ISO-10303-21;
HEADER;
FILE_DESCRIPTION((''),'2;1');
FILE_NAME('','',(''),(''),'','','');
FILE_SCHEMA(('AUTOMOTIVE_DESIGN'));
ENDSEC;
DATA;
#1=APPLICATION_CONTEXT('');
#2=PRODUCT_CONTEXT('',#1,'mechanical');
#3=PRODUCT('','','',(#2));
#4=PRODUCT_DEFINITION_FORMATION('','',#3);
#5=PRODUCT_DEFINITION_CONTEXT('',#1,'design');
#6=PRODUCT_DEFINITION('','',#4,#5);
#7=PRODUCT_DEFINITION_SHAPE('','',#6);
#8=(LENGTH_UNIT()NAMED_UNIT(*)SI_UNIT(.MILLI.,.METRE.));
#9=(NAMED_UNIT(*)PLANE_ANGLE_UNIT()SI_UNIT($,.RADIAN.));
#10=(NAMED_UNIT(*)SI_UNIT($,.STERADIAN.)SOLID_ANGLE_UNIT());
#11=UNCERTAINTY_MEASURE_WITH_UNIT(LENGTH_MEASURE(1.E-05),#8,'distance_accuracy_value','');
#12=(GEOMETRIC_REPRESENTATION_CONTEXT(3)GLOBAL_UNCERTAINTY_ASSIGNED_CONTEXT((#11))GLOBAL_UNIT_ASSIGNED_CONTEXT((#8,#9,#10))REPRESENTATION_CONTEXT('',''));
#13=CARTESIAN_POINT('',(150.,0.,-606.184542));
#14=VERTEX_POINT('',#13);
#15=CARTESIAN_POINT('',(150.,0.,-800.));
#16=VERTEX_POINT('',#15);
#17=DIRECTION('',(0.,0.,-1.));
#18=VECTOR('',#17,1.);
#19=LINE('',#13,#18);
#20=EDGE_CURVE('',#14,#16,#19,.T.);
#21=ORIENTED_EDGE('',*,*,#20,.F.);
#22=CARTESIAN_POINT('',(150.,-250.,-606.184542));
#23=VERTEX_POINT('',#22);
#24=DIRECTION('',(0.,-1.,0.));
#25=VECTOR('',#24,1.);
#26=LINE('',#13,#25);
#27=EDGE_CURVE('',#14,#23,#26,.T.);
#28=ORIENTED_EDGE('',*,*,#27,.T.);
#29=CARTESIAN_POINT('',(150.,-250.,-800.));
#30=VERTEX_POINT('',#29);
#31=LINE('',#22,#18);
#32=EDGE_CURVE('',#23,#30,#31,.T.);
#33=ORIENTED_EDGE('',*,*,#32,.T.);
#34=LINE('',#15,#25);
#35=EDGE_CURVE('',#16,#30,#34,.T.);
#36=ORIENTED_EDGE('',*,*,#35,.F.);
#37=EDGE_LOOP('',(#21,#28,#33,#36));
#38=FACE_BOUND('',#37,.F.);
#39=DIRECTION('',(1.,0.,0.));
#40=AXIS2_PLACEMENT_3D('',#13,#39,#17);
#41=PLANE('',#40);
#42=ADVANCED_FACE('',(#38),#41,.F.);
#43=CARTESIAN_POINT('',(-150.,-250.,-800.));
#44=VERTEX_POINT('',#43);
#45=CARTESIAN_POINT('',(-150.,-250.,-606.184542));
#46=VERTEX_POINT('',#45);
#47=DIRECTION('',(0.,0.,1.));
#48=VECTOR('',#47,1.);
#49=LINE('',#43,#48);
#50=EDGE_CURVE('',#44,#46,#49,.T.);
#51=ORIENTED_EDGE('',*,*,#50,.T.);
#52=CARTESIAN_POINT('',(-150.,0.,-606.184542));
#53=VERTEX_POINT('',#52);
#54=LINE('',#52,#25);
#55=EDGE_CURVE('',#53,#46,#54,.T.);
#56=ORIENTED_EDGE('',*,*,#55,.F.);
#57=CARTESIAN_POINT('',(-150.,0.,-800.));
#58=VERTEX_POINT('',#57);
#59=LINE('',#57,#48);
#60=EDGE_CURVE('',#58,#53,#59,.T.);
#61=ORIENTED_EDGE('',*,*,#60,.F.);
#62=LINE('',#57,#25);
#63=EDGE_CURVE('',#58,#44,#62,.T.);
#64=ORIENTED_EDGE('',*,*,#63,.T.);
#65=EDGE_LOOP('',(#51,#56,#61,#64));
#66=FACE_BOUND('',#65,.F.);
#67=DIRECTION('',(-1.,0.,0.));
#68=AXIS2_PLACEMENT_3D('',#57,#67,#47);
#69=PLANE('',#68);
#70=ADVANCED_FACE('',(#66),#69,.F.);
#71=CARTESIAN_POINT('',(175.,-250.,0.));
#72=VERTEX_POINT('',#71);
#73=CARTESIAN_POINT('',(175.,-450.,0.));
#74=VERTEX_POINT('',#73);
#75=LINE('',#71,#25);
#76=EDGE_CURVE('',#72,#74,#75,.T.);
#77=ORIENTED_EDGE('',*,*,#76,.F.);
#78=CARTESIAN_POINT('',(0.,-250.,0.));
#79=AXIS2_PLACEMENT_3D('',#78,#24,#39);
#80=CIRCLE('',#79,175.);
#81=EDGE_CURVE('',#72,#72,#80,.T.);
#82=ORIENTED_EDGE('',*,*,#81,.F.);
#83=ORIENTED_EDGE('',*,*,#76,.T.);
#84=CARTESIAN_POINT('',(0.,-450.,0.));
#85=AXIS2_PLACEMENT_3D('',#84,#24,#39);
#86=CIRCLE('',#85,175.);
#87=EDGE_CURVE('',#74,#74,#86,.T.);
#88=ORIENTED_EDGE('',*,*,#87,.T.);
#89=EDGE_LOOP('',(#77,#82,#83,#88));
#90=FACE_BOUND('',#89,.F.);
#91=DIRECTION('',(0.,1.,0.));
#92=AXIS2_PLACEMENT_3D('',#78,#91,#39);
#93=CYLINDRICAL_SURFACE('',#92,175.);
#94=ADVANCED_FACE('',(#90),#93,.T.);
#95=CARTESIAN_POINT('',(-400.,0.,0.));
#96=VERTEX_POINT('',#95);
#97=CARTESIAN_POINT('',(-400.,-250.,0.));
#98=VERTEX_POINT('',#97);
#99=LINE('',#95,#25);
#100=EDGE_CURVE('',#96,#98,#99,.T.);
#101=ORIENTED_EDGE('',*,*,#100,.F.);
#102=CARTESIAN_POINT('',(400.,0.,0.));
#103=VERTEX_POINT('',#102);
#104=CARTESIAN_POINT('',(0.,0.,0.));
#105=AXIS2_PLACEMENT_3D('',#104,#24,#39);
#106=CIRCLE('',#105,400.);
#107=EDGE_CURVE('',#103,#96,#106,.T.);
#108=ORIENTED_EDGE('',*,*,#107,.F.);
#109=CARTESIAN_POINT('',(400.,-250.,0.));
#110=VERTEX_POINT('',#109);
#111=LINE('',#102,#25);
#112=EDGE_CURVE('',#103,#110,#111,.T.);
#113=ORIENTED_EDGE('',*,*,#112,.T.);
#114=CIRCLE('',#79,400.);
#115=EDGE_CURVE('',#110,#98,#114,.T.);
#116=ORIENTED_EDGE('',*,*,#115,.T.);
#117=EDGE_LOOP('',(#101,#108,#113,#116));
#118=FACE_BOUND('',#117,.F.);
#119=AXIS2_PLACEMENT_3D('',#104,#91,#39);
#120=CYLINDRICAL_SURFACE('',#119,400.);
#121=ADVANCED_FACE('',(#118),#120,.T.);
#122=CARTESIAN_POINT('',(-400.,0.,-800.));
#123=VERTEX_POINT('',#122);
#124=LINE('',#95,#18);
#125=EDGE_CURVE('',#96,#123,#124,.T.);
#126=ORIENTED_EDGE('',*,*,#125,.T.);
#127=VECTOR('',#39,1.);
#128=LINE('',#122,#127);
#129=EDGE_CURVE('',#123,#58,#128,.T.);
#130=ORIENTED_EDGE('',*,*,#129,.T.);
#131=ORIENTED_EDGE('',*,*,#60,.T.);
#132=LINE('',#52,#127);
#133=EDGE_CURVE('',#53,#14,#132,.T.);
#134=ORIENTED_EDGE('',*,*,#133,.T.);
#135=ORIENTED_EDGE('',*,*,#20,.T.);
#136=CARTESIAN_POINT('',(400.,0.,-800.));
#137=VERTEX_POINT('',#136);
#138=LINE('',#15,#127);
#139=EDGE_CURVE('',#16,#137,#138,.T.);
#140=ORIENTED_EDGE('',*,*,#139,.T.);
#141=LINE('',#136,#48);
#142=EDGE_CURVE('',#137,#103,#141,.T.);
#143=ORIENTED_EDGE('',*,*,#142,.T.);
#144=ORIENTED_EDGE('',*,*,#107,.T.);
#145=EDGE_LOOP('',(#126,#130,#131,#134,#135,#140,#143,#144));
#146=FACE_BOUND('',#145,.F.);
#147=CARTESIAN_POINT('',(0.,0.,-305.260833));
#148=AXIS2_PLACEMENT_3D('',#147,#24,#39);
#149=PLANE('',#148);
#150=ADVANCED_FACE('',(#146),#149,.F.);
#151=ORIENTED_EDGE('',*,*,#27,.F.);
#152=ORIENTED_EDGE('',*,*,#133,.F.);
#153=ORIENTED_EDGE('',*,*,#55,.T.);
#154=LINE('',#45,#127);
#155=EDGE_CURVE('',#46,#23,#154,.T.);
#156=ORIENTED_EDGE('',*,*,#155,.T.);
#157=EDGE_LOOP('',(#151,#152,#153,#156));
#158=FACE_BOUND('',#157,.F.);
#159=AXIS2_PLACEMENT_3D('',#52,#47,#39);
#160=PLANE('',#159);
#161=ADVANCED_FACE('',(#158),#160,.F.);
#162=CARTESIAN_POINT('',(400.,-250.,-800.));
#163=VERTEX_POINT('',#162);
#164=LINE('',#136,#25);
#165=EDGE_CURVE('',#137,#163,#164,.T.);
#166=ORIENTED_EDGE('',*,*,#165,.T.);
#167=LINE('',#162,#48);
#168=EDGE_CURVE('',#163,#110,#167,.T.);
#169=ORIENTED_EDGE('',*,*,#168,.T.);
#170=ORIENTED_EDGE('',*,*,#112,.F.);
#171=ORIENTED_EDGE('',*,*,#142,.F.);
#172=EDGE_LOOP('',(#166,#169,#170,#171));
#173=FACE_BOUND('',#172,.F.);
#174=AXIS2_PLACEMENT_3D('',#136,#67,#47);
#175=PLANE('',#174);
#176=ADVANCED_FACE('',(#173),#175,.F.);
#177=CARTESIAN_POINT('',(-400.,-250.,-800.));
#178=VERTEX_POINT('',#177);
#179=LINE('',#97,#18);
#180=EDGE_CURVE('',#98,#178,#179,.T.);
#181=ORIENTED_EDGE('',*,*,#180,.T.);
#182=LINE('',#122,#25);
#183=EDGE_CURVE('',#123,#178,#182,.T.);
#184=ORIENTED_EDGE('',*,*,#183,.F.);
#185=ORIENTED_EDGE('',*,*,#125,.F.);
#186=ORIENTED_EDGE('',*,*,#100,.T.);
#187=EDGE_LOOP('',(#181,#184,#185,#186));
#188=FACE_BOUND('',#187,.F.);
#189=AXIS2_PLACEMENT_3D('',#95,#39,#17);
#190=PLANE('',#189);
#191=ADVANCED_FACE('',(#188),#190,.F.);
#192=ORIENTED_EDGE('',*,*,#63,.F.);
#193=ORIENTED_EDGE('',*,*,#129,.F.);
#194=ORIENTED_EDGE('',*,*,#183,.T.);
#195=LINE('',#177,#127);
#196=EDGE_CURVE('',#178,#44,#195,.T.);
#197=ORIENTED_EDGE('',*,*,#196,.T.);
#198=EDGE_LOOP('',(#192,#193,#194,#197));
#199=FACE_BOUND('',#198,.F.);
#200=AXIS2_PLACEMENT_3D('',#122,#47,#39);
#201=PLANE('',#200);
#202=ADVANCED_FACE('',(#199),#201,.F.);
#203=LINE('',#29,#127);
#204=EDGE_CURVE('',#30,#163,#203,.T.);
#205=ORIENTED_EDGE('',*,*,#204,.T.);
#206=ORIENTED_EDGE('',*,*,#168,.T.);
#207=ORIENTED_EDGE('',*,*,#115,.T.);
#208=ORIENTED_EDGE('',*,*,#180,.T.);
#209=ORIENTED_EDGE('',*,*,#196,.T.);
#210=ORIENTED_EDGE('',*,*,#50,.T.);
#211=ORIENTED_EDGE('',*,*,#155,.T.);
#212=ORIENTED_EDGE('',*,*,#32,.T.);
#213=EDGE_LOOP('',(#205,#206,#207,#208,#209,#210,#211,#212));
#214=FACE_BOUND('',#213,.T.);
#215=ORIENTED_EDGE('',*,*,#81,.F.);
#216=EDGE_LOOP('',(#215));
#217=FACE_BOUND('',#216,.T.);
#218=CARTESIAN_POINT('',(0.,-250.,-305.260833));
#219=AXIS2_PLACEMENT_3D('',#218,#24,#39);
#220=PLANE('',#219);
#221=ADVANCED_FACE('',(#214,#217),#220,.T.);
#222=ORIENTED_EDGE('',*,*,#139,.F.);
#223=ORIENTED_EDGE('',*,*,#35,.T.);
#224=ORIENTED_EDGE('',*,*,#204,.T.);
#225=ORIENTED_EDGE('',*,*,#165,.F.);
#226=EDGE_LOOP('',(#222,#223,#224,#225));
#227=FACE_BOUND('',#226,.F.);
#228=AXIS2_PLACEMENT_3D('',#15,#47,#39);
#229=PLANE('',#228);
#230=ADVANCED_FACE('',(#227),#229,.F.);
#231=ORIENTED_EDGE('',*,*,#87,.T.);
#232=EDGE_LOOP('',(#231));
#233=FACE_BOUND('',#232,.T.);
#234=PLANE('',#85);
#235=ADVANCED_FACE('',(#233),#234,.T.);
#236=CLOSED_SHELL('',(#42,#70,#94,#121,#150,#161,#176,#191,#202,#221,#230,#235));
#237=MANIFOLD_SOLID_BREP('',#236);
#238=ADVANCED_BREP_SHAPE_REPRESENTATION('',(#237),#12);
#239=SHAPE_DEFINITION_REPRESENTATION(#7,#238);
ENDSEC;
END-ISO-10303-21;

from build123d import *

# Parameters (mm, degrees)
F1_DEPTH = 250
F2_R     = 175
F3_DEPTH = 200


with BuildPart() as f1:
    # F0 (on Front) → F1 (new body)
    with BuildSketch(Plane.XZ):
        with BuildLine():
            Line((400, -800), (400, 0))
            ThreePointArc((400, 0), (0, 400), (-400, 0))
            Line((-400, 0), (-400, -800))
            Line((-400, -800), (-150, -800))
            Line((-150, -800), (-150, -606.184542))
            Line((-150, -606.184542), (150, -606.184542))
            Line((150, -606.184542), (150, -800))
            Line((150, -800), (400, -800))
        make_face()
    extrude(amount=F1_DEPTH)

    # F2 (on face) → F3 (join)
    with BuildSketch(Plane.XZ.offset(250)):
        Circle(F2_R)
    extrude(amount=F3_DEPTH)


solid = f1.part
